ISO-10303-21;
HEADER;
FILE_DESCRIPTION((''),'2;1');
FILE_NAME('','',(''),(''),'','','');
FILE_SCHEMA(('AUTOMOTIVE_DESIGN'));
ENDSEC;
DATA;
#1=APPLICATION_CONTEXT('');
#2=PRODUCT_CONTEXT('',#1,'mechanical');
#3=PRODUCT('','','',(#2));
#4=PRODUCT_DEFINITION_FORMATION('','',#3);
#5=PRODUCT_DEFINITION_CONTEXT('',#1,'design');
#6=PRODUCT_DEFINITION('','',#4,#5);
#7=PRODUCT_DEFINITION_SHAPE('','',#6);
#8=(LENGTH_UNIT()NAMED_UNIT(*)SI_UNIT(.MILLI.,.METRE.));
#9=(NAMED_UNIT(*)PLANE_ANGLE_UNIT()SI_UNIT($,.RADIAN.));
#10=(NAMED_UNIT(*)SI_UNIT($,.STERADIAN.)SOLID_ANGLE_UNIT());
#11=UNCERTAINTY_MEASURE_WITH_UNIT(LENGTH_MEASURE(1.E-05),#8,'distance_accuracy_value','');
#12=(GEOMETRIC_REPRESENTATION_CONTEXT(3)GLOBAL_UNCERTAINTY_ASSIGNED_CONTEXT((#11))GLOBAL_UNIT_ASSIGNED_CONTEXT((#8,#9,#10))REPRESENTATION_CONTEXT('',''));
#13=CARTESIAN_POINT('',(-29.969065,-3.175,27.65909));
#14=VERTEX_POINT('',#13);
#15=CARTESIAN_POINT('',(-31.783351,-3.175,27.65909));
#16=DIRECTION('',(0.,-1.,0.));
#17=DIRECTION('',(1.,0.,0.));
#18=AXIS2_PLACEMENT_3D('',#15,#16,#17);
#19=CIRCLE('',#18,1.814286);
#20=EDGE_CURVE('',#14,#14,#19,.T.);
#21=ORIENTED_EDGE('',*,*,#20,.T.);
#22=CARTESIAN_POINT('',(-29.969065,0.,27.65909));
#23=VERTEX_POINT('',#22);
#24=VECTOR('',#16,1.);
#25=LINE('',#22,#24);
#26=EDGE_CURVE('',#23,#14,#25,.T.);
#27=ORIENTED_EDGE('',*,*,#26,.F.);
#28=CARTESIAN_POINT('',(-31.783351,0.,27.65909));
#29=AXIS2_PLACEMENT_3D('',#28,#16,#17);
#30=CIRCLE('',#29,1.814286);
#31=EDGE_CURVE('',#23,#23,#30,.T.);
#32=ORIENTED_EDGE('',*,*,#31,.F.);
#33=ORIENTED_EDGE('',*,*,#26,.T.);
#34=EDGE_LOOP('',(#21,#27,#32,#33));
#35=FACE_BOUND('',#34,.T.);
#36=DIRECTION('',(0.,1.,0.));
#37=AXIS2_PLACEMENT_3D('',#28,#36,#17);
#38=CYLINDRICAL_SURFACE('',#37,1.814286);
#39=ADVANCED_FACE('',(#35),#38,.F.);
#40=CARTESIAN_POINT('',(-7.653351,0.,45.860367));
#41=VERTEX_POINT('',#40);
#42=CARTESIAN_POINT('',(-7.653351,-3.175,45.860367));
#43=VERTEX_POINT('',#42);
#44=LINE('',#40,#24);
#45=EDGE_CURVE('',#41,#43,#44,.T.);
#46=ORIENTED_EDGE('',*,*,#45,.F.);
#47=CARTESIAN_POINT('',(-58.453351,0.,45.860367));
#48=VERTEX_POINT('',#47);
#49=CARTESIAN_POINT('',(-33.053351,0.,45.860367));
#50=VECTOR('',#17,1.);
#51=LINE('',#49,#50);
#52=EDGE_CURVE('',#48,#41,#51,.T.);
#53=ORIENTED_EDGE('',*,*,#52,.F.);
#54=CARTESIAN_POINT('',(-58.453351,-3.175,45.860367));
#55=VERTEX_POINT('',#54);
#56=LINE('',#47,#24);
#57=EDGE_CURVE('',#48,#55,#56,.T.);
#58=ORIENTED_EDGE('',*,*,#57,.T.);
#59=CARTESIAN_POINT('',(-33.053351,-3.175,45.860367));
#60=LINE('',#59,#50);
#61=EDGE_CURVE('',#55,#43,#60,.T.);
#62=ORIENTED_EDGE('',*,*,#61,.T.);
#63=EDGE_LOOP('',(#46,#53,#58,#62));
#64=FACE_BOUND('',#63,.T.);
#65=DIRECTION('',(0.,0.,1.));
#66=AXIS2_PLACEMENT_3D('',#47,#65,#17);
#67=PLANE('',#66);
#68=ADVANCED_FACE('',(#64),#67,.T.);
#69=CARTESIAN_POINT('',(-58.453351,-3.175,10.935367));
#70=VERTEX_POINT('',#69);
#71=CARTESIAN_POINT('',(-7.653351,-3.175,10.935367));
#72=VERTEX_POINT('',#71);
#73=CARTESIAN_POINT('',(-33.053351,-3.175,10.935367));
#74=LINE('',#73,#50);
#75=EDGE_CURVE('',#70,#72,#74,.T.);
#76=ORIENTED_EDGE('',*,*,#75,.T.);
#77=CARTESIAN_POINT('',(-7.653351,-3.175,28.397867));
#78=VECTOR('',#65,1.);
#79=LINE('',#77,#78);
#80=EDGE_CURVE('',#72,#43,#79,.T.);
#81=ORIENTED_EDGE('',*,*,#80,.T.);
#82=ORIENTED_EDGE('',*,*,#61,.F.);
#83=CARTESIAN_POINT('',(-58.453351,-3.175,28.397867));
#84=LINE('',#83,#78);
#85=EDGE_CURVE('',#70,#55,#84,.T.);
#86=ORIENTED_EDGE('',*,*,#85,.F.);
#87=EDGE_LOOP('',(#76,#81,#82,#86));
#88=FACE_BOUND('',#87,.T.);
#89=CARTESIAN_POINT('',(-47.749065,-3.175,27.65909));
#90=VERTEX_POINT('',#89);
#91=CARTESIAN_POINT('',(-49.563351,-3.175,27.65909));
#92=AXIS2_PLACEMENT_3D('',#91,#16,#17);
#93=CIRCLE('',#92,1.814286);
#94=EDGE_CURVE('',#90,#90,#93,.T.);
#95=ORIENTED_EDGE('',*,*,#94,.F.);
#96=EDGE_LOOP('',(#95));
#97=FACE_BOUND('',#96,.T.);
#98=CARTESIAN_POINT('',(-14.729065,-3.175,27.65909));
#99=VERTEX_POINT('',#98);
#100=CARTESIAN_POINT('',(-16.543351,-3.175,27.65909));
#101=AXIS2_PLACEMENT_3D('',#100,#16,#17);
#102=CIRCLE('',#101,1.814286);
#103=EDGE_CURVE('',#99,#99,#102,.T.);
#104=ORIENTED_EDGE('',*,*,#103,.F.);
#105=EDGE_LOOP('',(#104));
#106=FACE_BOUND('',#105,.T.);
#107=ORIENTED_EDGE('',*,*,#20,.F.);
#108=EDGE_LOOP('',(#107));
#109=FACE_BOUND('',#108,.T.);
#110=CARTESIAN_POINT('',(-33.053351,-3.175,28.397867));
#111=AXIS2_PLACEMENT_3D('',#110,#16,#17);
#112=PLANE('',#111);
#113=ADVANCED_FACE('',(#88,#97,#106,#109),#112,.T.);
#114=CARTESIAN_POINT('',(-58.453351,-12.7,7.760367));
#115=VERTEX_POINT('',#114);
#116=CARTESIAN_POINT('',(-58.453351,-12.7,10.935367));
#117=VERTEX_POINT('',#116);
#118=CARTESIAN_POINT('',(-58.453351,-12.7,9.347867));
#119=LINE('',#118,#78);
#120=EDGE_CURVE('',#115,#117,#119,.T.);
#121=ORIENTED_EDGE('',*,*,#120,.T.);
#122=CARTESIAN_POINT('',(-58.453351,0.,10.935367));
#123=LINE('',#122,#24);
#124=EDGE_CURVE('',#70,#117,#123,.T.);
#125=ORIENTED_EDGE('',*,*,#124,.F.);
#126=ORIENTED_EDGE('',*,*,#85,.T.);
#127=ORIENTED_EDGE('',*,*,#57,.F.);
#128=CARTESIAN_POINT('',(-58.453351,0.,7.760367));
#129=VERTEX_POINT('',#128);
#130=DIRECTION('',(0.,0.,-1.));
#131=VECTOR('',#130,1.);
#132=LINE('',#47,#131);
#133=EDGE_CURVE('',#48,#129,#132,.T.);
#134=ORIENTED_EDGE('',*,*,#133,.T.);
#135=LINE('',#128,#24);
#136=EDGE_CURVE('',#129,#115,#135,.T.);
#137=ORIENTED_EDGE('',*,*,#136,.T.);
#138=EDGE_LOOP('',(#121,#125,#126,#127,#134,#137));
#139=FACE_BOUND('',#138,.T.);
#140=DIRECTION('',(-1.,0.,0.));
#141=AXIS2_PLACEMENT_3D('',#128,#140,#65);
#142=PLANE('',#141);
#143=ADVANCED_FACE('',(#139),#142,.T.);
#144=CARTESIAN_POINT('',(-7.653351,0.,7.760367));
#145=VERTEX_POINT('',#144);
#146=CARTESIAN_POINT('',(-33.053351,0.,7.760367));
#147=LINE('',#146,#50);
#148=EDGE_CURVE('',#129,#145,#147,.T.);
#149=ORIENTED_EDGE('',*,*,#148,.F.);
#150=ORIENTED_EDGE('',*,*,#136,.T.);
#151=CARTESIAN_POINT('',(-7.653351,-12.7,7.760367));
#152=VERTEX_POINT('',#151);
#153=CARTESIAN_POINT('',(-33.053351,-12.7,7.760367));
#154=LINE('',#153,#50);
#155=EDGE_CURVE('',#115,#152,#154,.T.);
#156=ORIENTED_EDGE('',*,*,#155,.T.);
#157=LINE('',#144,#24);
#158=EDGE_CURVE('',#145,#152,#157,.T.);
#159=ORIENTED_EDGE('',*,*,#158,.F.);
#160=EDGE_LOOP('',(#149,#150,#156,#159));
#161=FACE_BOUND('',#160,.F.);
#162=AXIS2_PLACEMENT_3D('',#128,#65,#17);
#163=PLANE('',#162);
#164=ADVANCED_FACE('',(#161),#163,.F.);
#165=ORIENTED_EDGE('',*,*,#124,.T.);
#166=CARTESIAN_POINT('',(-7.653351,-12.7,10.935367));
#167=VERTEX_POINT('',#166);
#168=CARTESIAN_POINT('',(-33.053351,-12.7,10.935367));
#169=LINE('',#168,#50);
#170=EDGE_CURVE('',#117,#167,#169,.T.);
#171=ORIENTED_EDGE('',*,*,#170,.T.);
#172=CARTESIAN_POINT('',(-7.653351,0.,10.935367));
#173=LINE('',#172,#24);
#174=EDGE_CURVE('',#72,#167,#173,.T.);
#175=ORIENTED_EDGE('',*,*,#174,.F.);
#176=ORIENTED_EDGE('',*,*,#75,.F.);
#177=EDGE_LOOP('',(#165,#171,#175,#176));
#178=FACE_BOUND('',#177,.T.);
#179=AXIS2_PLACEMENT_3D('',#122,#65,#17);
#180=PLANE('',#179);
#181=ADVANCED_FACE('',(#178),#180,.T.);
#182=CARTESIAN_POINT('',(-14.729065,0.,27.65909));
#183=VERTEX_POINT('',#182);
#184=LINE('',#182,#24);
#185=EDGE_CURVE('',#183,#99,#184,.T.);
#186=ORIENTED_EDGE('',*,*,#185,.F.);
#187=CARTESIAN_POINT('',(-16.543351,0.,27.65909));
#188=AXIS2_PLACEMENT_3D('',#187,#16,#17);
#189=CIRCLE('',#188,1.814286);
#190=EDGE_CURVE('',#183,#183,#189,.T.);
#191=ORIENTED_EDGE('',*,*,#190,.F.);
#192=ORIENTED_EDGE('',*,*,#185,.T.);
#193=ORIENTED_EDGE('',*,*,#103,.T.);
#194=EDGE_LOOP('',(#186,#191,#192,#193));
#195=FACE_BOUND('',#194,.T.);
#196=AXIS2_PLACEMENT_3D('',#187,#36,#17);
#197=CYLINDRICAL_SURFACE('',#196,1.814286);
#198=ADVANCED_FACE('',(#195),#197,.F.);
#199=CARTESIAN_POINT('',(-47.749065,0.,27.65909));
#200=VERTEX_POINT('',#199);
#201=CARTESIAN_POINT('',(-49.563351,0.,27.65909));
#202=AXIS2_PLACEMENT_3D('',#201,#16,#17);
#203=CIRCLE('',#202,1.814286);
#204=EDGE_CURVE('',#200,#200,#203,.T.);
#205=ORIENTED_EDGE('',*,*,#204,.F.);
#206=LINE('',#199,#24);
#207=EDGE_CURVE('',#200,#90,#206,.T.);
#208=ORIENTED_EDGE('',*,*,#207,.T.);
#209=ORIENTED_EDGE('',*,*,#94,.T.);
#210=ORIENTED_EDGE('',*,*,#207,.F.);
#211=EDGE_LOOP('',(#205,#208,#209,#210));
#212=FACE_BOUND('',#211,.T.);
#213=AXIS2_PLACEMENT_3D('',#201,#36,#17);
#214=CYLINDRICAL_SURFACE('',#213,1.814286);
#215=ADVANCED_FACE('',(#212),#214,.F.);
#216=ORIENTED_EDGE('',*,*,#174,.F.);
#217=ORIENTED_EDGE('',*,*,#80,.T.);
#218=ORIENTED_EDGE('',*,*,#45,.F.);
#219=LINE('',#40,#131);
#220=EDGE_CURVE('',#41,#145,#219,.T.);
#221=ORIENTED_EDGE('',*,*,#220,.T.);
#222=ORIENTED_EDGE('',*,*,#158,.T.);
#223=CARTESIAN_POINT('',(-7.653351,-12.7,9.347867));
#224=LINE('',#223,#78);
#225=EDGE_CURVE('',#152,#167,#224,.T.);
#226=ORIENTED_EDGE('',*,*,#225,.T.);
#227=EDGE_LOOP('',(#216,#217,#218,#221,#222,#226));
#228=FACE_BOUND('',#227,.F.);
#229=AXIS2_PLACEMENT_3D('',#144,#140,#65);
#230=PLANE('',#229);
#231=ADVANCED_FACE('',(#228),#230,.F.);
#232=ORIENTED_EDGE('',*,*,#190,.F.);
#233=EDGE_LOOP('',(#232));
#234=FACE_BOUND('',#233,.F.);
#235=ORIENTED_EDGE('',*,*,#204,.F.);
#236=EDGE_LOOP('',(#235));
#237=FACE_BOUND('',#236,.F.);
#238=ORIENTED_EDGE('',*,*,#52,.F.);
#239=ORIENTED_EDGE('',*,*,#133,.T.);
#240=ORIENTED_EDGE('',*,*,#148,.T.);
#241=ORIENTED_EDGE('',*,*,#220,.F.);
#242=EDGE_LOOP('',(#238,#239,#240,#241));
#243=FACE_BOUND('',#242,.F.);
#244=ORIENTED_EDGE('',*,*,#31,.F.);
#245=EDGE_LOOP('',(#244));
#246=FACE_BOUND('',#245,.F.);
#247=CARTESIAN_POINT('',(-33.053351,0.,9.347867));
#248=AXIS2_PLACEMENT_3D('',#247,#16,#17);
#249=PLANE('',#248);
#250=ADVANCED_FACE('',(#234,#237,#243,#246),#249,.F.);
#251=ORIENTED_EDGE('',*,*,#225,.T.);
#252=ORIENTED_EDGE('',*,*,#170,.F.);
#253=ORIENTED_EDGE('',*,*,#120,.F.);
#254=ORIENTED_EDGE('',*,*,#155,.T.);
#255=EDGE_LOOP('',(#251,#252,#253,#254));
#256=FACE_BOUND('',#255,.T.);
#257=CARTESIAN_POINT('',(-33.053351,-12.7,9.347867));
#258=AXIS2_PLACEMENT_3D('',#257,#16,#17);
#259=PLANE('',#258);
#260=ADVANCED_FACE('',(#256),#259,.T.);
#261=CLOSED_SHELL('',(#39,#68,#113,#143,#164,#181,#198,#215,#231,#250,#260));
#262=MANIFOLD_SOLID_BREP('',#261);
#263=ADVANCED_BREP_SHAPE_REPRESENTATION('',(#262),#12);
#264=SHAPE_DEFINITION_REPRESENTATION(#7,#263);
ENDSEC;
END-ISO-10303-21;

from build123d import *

# Parameters (mm, degrees)
F0_W     = 50.8
F0_H     = 34.925
F0_R     = 1.814286
F1_DEPTH = 3.175
F0_H_2   = 3.175
F2_DEPTH = 12.7


with BuildPart() as f1:
    # F0 (on Front) → F1 (new body)
    with BuildSketch(Plane.XZ):
        with Locations((-33.053351, 28.397867)):
            Rectangle(F0_W, F0_H)
        with Locations((-49.563351, 27.65909)):
            Circle(F0_R, mode=Mode.SUBTRACT)
        with Locations((-31.783351, 27.65909)):
            Circle(F0_R, mode=Mode.SUBTRACT)
        with Locations((-16.543351, 27.65909)):
            Circle(F0_R, mode=Mode.SUBTRACT)
    extrude(amount=F1_DEPTH)

    # F0 (on Front) → F2 (join)
    with BuildSketch(Plane.XZ):
        with Locations((-33.053351, 9.347867)):
            Rectangle(F0_W, F0_H_2)
    extrude(amount=F2_DEPTH)


solid = f1.part
